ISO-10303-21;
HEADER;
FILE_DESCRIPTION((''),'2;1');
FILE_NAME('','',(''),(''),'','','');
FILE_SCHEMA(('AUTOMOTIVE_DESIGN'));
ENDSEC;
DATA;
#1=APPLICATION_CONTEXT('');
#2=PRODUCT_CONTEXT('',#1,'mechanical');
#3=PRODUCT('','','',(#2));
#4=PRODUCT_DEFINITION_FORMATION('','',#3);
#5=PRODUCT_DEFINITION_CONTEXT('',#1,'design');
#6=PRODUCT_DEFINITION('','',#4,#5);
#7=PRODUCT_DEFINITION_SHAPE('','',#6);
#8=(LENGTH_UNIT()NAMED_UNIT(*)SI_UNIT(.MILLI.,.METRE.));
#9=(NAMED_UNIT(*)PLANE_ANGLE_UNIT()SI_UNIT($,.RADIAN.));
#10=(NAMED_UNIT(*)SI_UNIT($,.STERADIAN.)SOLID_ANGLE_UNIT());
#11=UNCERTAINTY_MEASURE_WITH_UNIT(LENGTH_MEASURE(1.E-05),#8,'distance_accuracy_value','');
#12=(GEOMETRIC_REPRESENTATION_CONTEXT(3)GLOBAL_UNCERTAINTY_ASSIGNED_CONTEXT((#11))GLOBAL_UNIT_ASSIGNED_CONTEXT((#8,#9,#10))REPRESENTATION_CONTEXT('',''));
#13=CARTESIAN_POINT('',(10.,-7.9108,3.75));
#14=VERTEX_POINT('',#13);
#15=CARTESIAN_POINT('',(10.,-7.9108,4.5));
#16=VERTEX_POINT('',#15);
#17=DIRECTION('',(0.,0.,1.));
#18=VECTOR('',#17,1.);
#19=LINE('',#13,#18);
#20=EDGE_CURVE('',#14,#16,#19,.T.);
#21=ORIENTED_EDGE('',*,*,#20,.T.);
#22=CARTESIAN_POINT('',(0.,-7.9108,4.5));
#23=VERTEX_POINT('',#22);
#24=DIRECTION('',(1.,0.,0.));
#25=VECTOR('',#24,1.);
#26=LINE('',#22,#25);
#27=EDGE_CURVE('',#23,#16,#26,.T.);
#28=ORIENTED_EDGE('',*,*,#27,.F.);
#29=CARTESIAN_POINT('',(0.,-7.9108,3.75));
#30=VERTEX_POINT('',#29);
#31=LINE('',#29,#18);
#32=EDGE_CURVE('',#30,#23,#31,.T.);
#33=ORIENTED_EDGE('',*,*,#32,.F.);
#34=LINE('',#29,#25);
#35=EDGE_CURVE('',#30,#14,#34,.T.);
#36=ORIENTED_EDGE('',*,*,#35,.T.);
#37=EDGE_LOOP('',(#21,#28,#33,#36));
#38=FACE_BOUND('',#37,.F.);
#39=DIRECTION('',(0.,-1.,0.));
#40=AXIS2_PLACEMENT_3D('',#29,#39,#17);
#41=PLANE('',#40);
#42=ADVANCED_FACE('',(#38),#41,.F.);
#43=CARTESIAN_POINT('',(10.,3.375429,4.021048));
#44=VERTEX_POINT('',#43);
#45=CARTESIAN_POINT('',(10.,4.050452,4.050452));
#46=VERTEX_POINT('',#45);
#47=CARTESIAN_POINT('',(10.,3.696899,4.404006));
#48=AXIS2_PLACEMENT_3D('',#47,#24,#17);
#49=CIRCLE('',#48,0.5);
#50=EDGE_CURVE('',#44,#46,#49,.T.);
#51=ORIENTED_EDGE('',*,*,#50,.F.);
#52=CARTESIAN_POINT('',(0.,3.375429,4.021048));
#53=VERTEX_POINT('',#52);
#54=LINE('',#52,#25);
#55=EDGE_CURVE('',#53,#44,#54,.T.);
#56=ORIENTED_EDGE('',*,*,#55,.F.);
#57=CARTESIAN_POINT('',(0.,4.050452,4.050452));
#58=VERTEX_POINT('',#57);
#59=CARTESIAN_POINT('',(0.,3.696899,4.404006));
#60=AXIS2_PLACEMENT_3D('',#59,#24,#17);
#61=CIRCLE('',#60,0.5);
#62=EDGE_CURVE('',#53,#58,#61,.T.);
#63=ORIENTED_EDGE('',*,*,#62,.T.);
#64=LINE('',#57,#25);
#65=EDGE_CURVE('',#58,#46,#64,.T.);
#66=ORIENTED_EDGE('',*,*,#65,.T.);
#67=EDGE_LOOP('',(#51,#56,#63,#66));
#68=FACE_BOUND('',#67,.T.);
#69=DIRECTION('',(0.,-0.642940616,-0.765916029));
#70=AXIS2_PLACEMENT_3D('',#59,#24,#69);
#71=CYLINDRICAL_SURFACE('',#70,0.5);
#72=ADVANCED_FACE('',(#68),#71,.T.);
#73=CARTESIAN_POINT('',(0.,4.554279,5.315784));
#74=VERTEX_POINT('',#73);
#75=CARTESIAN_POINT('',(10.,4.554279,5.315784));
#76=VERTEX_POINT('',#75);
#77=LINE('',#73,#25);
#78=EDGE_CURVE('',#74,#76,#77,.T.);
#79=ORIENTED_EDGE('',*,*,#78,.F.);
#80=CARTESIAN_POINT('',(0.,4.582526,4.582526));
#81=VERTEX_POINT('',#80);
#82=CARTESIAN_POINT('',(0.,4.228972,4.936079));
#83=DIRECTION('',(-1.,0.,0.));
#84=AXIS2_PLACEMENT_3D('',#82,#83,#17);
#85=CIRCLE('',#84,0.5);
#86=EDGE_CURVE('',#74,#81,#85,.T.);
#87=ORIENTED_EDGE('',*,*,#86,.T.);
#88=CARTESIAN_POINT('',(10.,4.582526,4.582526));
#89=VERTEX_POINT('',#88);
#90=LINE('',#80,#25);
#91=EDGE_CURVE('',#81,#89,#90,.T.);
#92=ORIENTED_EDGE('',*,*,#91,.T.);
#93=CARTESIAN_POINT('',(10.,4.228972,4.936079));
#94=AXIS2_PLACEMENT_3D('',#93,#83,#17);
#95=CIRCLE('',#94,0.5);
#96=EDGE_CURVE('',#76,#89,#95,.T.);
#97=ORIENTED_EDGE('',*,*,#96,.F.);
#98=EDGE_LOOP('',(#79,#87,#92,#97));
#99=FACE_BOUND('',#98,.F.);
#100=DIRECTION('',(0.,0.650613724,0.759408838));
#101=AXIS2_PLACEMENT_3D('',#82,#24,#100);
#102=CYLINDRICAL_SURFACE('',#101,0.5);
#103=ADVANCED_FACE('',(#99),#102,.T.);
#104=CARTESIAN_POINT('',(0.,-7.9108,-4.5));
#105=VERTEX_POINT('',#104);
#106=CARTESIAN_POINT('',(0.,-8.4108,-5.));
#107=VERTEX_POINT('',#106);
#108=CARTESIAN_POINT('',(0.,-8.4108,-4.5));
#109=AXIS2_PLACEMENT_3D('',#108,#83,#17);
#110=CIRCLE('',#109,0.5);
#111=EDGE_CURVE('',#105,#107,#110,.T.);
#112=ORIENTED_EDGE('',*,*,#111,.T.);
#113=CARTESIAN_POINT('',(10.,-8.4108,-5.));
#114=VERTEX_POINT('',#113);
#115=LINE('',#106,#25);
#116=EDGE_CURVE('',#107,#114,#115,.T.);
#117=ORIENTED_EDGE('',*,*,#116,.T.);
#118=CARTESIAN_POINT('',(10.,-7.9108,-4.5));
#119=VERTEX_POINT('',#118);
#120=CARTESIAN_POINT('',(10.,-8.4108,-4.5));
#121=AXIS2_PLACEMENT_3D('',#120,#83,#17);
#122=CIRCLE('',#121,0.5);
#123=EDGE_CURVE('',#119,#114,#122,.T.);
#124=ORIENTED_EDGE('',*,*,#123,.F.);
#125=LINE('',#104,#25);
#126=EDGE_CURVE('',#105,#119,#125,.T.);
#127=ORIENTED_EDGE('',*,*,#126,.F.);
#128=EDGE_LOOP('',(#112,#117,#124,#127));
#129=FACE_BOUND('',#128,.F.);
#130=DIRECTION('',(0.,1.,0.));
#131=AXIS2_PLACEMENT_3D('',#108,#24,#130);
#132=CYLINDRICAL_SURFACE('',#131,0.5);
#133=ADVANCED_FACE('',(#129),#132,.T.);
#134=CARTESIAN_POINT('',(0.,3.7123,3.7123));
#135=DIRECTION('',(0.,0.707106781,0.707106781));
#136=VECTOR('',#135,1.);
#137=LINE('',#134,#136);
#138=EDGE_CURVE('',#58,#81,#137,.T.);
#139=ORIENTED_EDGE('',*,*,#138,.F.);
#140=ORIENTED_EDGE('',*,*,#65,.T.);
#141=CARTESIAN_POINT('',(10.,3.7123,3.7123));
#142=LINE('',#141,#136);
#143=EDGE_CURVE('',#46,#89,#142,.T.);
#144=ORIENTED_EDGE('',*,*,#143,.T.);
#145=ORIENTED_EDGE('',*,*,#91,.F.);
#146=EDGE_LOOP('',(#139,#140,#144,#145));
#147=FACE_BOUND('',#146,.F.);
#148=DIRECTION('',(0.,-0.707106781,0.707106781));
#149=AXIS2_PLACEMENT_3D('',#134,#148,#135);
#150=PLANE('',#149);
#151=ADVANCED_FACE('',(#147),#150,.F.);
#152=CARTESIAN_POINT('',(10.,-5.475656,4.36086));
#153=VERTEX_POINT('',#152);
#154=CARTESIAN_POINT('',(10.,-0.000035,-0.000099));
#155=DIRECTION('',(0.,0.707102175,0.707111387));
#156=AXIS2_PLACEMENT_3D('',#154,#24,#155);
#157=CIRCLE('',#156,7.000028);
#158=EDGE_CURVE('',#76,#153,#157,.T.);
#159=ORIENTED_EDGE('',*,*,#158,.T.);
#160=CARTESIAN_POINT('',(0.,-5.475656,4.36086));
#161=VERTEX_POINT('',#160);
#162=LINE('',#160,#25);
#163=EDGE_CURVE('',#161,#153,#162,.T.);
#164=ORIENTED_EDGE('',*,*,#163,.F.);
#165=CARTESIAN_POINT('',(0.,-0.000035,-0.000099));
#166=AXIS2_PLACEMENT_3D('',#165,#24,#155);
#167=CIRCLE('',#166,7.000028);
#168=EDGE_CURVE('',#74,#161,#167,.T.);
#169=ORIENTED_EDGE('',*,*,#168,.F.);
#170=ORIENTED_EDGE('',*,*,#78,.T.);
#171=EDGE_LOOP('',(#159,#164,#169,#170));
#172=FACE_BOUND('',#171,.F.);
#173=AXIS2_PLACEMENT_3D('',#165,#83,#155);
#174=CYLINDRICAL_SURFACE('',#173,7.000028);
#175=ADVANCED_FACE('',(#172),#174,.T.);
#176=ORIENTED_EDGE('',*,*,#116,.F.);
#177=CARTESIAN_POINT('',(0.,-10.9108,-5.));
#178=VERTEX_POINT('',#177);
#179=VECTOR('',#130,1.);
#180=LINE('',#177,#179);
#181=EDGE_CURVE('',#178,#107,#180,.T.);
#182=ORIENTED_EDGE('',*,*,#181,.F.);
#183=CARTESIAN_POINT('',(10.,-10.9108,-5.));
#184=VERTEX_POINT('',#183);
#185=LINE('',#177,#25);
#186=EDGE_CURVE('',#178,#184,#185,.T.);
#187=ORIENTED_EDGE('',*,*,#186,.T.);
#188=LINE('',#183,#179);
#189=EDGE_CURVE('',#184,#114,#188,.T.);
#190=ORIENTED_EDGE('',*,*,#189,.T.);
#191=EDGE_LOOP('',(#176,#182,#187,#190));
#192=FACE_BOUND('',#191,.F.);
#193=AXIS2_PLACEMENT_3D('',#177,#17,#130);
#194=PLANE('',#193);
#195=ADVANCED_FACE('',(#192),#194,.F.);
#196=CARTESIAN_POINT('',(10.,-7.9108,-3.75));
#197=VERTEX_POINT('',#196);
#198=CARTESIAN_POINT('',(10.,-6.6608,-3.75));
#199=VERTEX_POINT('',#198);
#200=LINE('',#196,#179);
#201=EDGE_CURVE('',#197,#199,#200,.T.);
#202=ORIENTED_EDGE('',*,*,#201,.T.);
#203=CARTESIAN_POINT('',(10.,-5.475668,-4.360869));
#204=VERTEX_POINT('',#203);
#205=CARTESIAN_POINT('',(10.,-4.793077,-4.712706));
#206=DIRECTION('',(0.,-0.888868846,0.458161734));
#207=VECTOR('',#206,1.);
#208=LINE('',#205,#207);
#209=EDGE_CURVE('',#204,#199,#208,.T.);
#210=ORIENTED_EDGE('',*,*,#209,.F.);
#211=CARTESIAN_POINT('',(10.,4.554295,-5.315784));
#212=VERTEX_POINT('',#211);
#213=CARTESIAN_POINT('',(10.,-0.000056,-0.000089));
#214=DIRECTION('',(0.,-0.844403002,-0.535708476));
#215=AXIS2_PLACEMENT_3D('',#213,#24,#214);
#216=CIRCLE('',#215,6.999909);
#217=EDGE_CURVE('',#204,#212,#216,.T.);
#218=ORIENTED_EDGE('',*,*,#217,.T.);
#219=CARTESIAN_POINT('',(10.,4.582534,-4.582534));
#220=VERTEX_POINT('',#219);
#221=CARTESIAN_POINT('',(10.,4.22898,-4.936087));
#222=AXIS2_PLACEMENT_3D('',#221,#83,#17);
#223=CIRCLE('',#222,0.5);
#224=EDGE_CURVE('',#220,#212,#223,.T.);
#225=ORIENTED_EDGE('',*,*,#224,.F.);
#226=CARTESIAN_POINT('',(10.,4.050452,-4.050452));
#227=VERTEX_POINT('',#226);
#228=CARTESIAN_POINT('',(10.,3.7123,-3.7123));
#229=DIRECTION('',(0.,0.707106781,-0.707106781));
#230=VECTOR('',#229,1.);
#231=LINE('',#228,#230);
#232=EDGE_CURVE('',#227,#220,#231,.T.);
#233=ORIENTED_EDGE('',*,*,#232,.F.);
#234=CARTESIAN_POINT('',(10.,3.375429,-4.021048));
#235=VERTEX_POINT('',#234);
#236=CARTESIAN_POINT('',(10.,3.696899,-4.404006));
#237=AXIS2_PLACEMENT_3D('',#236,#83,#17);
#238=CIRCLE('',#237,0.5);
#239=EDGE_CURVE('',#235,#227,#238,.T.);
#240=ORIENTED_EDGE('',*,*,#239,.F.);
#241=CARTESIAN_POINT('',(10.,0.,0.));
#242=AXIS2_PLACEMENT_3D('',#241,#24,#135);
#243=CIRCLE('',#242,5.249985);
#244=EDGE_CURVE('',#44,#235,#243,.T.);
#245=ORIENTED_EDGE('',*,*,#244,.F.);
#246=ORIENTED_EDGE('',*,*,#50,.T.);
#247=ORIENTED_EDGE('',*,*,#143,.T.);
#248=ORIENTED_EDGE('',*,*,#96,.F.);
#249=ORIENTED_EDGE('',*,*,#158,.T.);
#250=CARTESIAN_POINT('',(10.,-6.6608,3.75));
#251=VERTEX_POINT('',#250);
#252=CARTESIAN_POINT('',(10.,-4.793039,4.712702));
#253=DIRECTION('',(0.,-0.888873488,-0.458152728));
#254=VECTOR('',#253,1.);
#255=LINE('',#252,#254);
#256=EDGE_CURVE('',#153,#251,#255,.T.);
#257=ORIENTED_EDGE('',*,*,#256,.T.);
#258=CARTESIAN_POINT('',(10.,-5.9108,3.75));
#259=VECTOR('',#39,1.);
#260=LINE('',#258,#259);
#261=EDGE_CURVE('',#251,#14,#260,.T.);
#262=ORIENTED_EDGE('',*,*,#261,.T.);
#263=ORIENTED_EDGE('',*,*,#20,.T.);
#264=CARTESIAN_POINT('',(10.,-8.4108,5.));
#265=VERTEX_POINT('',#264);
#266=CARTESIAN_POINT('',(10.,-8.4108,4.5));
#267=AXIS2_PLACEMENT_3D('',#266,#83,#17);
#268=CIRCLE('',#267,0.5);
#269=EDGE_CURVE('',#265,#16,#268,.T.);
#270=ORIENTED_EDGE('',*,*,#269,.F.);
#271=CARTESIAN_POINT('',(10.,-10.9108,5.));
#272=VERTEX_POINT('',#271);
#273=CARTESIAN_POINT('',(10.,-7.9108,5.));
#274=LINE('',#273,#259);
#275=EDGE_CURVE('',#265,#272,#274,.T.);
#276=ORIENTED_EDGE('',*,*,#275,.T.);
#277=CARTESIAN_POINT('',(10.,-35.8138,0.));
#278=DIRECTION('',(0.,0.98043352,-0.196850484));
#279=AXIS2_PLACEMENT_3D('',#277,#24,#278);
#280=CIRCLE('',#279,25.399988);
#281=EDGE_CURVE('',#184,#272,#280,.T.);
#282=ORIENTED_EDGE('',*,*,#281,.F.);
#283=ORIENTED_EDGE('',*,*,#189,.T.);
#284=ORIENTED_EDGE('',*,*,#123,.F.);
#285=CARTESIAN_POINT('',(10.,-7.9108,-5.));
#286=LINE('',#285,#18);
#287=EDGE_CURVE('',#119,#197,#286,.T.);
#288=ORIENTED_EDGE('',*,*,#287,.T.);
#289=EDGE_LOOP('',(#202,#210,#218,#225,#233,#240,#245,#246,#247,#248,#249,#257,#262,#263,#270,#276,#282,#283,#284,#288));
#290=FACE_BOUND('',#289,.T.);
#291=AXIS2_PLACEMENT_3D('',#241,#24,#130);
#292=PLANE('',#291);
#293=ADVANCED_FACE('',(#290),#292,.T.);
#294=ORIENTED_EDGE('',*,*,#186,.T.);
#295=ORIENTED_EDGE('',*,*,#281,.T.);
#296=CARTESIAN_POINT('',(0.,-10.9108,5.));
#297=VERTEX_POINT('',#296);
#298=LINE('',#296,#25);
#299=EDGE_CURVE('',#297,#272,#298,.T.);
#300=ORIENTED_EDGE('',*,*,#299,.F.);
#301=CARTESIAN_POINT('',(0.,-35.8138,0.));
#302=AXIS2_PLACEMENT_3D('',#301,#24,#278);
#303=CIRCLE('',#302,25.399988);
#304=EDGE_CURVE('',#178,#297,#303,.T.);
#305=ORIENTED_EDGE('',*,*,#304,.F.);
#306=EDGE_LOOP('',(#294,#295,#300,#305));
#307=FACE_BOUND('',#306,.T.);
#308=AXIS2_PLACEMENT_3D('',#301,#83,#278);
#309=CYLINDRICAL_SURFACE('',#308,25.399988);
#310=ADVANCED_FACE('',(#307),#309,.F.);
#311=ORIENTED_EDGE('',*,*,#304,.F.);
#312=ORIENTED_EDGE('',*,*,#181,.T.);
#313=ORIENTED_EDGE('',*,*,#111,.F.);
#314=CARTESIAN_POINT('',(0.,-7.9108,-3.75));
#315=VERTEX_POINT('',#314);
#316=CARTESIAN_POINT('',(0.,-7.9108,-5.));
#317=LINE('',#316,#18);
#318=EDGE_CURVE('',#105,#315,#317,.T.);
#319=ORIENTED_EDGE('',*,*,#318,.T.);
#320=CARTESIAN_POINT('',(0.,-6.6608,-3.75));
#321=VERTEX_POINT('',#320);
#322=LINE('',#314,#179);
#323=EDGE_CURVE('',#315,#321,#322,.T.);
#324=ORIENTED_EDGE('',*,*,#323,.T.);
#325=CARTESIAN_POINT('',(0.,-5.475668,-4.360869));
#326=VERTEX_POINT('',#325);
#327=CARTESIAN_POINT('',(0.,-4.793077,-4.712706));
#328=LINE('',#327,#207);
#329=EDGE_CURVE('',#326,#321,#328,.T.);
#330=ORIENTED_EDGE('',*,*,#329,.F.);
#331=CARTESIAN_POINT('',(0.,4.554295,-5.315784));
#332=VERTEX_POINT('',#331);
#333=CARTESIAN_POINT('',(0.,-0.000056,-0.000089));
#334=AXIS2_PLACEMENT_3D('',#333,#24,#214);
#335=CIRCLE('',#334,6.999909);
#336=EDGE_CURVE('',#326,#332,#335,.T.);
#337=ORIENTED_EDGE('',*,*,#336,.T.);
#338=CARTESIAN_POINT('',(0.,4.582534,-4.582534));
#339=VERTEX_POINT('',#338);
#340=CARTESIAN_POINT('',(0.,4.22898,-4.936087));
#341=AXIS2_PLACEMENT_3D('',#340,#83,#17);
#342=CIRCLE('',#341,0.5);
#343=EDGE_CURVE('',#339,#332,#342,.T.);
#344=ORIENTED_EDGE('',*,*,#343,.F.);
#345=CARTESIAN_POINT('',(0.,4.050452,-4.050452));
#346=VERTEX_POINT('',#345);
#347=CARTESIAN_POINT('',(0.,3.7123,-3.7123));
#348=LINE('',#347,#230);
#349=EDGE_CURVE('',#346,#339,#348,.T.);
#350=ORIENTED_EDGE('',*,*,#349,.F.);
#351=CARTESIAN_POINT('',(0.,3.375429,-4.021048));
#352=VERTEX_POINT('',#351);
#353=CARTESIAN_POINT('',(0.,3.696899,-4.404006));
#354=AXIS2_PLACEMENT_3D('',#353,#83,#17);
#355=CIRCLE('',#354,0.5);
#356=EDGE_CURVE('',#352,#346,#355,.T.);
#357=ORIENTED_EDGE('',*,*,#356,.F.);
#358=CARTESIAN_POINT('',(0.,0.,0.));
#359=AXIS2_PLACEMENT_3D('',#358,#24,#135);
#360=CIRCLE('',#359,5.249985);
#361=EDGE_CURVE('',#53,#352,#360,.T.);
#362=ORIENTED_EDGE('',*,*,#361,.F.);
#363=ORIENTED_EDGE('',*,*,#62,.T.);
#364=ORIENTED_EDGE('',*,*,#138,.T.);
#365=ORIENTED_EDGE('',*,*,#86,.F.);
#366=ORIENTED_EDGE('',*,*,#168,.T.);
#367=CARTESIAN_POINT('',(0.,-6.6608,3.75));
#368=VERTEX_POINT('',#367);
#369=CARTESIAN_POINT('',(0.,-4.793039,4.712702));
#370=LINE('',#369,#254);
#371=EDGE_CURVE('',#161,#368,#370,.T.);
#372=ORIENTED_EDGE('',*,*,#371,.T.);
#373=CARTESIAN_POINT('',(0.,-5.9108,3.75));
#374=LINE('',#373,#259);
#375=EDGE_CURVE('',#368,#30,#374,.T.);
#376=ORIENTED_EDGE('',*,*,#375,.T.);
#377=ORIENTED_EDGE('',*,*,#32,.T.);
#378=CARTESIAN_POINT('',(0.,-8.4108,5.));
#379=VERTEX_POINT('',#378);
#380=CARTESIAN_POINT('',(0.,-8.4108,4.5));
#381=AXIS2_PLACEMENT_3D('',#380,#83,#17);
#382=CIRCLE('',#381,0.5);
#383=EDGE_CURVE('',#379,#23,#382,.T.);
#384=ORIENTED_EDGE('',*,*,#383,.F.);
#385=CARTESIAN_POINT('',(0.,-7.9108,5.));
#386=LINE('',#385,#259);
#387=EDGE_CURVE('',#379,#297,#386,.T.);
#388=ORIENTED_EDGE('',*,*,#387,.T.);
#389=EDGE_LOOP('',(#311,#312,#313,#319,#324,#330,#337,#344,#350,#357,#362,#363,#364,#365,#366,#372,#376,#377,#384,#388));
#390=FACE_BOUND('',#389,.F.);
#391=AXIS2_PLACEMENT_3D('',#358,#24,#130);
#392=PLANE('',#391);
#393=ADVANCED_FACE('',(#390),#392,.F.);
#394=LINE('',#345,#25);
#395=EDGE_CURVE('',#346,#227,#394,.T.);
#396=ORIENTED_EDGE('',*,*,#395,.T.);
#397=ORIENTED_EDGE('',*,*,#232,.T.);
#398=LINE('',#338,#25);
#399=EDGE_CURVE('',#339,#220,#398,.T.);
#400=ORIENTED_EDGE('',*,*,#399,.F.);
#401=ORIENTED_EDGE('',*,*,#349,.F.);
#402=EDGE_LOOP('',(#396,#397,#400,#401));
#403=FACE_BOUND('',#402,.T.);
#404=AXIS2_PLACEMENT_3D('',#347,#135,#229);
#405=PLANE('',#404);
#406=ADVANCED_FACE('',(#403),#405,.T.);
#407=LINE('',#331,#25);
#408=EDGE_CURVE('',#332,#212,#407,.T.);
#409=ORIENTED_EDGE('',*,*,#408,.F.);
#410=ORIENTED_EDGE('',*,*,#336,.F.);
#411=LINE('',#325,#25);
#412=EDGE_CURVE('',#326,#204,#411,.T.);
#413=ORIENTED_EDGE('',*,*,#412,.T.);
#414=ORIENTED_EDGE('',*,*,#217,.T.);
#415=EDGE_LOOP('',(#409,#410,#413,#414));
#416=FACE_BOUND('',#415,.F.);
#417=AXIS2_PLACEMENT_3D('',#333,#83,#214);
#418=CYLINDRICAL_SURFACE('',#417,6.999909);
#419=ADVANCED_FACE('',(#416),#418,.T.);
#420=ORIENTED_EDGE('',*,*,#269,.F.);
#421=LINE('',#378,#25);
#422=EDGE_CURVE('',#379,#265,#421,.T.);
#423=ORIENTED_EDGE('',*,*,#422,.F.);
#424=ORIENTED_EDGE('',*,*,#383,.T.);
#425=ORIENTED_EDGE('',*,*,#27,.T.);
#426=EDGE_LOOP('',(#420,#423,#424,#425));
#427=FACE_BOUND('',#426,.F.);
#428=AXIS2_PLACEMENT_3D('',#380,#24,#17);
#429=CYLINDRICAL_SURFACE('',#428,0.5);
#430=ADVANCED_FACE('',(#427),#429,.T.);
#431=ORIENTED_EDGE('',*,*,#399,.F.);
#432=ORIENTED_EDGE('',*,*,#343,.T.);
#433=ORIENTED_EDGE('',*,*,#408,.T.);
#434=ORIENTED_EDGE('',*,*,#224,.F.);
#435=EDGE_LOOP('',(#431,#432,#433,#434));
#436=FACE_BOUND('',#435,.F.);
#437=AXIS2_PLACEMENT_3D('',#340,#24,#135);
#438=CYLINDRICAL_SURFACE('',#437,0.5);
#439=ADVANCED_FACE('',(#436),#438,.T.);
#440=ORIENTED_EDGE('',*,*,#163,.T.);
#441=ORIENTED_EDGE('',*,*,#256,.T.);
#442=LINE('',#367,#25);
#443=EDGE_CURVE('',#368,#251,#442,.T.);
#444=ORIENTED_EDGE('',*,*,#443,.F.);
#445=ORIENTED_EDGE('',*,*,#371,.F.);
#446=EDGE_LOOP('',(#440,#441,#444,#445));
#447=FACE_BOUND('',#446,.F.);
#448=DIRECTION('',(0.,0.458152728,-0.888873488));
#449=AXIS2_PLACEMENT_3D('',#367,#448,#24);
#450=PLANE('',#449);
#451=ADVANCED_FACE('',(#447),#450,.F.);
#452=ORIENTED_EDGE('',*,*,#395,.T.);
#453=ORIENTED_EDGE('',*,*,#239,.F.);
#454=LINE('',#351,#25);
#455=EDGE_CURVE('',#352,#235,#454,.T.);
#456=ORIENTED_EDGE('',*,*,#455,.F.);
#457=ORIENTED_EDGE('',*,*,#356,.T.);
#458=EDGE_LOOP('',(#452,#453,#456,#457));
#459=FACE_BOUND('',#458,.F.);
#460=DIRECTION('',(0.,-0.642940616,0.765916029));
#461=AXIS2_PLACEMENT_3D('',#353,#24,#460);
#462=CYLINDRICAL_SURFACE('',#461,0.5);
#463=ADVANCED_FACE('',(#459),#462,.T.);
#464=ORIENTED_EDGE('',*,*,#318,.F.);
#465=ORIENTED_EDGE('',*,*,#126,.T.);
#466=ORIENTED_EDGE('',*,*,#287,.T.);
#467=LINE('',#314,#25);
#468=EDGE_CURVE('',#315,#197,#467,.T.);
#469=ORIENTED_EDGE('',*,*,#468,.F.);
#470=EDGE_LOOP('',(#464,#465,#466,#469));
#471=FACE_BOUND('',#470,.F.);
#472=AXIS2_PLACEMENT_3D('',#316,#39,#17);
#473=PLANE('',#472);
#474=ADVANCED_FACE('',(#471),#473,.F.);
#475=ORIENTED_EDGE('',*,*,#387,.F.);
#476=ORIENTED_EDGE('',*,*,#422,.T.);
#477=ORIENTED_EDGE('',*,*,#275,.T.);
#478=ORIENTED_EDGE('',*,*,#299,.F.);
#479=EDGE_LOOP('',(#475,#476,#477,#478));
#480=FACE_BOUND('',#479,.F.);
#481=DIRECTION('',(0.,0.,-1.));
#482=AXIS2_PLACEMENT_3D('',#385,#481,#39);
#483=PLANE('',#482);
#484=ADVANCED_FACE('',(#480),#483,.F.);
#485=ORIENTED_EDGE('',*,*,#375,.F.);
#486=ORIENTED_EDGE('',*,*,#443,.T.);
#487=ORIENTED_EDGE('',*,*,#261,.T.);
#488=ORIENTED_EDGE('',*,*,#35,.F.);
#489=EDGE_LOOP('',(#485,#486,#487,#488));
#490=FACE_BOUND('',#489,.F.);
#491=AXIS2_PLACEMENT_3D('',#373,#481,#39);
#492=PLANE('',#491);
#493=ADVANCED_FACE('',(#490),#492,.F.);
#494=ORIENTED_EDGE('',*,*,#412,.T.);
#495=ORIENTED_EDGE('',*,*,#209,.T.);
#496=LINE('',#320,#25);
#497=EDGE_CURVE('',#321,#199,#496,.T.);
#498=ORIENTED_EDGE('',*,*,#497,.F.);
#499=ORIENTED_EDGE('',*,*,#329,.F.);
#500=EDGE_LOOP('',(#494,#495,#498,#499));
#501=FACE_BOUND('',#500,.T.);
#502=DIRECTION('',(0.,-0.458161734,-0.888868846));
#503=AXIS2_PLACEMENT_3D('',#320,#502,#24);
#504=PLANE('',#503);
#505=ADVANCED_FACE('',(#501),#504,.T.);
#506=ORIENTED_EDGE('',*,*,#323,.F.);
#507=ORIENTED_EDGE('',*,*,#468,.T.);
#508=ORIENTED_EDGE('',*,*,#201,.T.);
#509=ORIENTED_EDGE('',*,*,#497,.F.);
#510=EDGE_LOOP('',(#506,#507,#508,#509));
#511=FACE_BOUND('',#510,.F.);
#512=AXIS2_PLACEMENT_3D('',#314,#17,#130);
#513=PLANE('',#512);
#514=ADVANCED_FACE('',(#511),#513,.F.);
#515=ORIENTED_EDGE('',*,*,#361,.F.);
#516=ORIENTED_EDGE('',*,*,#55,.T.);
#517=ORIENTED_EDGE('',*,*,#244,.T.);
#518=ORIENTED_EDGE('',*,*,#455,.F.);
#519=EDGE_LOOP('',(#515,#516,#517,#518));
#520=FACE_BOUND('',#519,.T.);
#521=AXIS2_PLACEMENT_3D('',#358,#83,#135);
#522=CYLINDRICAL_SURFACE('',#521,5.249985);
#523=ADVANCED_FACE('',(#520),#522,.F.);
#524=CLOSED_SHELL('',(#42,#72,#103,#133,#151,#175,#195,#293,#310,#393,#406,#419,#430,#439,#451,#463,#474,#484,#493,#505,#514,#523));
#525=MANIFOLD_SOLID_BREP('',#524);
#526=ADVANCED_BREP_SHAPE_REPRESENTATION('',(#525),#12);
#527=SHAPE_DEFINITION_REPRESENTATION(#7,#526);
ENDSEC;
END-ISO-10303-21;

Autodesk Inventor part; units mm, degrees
ref_plane "YZ Plane" through (0, 0, 0) normal (1, 0, 0) x (0, 1, 0)
ref_plane "XZ Plane" through (0, 0, 0) normal (0, 1, 0) x (-1, 0, 0)
ref_plane "XY Plane" through (0, 0, 0) normal (0, 0, 1) x (1, 0, 0)
sketch "Sketch1" plane through (0, 0, 0) normal (1, 0, 0) x (0, 1, 0)
  arc A0 (3.7123, 3.7123) -> (3.7123, -3.7123) centre (0, 0) ccw
  line L0 (-5.9108, 3.75) -> (-7.9108, 3.75)
  line L1 (-7.9108, -3.75) -> (-5.9108, -3.75)
  line L2 (3.7123, -3.7123) -> (4.9497, -4.9497)
  line L3 (3.7123, 3.7123) -> (4.9497, 4.9497)
  arc A1 (-5.9108, -3.75) -> (4.9497, -4.9497) centre (0, 0) ccw
  arc A2 (4.9497, 4.9497) -> (-5.9108, 3.75) centre (0, 0) ccw
  line L4 (4.9497, 4.9497) -> (0, 0) construction
  line L5 (0, 0) -> (4.9497, -4.9497) construction
  line L6 (-7.9108, 5) -> (-10.9108, 5)
  line L7 (-10.9108, -5) -> (-7.9108, -5)
  line L8 (-7.9108, -5) -> (-7.9108, -3.75)
  line L9 (-7.9108, 3.75) -> (-7.9108, 5)
  arc A3 (-10.9108, -5) -> (-10.9108, 5) centre (-35.8138, 0) ccw
  line L10 (-7.9108, 3.75) -> (-7.9108, -3.75) construction
  point P0 (-5.25, 0)
  point P1 (-13.9108, 0)
  point P2 (-7.9108, 4.375)
  point P3 (-7.9108, -4.375)
  point P4 (-7.9108, 0)
  dimension "d0" = 90
  dimension "d5" = 2
  dimension "d9" = 14
  dimension "d10" = 10.5
  dimension "d11" = 7.5
  dimension "d12" = 3
  dimension "d14" = 50.8
  dimension "d15" = 10
extrude "Extrusion1" add sketch "Sketch1" along normal blind 10
fillet "Fillet1" radius 0.5 6 edges at (5, -7.9108, -5) (5, 4.9497, -4.9497) (5, 4.9497, 4.9497) (5, 3.7123, 3.7123) (5, 3.7123, -3.7123) (5, -7.9108, 5)
chamfer "Chamfer1" distance 0.75 angle 45 2 edges at (5, -5.9108, 3.75) (5, -5.9108, -3.75)
properties part number "snap_grip"
